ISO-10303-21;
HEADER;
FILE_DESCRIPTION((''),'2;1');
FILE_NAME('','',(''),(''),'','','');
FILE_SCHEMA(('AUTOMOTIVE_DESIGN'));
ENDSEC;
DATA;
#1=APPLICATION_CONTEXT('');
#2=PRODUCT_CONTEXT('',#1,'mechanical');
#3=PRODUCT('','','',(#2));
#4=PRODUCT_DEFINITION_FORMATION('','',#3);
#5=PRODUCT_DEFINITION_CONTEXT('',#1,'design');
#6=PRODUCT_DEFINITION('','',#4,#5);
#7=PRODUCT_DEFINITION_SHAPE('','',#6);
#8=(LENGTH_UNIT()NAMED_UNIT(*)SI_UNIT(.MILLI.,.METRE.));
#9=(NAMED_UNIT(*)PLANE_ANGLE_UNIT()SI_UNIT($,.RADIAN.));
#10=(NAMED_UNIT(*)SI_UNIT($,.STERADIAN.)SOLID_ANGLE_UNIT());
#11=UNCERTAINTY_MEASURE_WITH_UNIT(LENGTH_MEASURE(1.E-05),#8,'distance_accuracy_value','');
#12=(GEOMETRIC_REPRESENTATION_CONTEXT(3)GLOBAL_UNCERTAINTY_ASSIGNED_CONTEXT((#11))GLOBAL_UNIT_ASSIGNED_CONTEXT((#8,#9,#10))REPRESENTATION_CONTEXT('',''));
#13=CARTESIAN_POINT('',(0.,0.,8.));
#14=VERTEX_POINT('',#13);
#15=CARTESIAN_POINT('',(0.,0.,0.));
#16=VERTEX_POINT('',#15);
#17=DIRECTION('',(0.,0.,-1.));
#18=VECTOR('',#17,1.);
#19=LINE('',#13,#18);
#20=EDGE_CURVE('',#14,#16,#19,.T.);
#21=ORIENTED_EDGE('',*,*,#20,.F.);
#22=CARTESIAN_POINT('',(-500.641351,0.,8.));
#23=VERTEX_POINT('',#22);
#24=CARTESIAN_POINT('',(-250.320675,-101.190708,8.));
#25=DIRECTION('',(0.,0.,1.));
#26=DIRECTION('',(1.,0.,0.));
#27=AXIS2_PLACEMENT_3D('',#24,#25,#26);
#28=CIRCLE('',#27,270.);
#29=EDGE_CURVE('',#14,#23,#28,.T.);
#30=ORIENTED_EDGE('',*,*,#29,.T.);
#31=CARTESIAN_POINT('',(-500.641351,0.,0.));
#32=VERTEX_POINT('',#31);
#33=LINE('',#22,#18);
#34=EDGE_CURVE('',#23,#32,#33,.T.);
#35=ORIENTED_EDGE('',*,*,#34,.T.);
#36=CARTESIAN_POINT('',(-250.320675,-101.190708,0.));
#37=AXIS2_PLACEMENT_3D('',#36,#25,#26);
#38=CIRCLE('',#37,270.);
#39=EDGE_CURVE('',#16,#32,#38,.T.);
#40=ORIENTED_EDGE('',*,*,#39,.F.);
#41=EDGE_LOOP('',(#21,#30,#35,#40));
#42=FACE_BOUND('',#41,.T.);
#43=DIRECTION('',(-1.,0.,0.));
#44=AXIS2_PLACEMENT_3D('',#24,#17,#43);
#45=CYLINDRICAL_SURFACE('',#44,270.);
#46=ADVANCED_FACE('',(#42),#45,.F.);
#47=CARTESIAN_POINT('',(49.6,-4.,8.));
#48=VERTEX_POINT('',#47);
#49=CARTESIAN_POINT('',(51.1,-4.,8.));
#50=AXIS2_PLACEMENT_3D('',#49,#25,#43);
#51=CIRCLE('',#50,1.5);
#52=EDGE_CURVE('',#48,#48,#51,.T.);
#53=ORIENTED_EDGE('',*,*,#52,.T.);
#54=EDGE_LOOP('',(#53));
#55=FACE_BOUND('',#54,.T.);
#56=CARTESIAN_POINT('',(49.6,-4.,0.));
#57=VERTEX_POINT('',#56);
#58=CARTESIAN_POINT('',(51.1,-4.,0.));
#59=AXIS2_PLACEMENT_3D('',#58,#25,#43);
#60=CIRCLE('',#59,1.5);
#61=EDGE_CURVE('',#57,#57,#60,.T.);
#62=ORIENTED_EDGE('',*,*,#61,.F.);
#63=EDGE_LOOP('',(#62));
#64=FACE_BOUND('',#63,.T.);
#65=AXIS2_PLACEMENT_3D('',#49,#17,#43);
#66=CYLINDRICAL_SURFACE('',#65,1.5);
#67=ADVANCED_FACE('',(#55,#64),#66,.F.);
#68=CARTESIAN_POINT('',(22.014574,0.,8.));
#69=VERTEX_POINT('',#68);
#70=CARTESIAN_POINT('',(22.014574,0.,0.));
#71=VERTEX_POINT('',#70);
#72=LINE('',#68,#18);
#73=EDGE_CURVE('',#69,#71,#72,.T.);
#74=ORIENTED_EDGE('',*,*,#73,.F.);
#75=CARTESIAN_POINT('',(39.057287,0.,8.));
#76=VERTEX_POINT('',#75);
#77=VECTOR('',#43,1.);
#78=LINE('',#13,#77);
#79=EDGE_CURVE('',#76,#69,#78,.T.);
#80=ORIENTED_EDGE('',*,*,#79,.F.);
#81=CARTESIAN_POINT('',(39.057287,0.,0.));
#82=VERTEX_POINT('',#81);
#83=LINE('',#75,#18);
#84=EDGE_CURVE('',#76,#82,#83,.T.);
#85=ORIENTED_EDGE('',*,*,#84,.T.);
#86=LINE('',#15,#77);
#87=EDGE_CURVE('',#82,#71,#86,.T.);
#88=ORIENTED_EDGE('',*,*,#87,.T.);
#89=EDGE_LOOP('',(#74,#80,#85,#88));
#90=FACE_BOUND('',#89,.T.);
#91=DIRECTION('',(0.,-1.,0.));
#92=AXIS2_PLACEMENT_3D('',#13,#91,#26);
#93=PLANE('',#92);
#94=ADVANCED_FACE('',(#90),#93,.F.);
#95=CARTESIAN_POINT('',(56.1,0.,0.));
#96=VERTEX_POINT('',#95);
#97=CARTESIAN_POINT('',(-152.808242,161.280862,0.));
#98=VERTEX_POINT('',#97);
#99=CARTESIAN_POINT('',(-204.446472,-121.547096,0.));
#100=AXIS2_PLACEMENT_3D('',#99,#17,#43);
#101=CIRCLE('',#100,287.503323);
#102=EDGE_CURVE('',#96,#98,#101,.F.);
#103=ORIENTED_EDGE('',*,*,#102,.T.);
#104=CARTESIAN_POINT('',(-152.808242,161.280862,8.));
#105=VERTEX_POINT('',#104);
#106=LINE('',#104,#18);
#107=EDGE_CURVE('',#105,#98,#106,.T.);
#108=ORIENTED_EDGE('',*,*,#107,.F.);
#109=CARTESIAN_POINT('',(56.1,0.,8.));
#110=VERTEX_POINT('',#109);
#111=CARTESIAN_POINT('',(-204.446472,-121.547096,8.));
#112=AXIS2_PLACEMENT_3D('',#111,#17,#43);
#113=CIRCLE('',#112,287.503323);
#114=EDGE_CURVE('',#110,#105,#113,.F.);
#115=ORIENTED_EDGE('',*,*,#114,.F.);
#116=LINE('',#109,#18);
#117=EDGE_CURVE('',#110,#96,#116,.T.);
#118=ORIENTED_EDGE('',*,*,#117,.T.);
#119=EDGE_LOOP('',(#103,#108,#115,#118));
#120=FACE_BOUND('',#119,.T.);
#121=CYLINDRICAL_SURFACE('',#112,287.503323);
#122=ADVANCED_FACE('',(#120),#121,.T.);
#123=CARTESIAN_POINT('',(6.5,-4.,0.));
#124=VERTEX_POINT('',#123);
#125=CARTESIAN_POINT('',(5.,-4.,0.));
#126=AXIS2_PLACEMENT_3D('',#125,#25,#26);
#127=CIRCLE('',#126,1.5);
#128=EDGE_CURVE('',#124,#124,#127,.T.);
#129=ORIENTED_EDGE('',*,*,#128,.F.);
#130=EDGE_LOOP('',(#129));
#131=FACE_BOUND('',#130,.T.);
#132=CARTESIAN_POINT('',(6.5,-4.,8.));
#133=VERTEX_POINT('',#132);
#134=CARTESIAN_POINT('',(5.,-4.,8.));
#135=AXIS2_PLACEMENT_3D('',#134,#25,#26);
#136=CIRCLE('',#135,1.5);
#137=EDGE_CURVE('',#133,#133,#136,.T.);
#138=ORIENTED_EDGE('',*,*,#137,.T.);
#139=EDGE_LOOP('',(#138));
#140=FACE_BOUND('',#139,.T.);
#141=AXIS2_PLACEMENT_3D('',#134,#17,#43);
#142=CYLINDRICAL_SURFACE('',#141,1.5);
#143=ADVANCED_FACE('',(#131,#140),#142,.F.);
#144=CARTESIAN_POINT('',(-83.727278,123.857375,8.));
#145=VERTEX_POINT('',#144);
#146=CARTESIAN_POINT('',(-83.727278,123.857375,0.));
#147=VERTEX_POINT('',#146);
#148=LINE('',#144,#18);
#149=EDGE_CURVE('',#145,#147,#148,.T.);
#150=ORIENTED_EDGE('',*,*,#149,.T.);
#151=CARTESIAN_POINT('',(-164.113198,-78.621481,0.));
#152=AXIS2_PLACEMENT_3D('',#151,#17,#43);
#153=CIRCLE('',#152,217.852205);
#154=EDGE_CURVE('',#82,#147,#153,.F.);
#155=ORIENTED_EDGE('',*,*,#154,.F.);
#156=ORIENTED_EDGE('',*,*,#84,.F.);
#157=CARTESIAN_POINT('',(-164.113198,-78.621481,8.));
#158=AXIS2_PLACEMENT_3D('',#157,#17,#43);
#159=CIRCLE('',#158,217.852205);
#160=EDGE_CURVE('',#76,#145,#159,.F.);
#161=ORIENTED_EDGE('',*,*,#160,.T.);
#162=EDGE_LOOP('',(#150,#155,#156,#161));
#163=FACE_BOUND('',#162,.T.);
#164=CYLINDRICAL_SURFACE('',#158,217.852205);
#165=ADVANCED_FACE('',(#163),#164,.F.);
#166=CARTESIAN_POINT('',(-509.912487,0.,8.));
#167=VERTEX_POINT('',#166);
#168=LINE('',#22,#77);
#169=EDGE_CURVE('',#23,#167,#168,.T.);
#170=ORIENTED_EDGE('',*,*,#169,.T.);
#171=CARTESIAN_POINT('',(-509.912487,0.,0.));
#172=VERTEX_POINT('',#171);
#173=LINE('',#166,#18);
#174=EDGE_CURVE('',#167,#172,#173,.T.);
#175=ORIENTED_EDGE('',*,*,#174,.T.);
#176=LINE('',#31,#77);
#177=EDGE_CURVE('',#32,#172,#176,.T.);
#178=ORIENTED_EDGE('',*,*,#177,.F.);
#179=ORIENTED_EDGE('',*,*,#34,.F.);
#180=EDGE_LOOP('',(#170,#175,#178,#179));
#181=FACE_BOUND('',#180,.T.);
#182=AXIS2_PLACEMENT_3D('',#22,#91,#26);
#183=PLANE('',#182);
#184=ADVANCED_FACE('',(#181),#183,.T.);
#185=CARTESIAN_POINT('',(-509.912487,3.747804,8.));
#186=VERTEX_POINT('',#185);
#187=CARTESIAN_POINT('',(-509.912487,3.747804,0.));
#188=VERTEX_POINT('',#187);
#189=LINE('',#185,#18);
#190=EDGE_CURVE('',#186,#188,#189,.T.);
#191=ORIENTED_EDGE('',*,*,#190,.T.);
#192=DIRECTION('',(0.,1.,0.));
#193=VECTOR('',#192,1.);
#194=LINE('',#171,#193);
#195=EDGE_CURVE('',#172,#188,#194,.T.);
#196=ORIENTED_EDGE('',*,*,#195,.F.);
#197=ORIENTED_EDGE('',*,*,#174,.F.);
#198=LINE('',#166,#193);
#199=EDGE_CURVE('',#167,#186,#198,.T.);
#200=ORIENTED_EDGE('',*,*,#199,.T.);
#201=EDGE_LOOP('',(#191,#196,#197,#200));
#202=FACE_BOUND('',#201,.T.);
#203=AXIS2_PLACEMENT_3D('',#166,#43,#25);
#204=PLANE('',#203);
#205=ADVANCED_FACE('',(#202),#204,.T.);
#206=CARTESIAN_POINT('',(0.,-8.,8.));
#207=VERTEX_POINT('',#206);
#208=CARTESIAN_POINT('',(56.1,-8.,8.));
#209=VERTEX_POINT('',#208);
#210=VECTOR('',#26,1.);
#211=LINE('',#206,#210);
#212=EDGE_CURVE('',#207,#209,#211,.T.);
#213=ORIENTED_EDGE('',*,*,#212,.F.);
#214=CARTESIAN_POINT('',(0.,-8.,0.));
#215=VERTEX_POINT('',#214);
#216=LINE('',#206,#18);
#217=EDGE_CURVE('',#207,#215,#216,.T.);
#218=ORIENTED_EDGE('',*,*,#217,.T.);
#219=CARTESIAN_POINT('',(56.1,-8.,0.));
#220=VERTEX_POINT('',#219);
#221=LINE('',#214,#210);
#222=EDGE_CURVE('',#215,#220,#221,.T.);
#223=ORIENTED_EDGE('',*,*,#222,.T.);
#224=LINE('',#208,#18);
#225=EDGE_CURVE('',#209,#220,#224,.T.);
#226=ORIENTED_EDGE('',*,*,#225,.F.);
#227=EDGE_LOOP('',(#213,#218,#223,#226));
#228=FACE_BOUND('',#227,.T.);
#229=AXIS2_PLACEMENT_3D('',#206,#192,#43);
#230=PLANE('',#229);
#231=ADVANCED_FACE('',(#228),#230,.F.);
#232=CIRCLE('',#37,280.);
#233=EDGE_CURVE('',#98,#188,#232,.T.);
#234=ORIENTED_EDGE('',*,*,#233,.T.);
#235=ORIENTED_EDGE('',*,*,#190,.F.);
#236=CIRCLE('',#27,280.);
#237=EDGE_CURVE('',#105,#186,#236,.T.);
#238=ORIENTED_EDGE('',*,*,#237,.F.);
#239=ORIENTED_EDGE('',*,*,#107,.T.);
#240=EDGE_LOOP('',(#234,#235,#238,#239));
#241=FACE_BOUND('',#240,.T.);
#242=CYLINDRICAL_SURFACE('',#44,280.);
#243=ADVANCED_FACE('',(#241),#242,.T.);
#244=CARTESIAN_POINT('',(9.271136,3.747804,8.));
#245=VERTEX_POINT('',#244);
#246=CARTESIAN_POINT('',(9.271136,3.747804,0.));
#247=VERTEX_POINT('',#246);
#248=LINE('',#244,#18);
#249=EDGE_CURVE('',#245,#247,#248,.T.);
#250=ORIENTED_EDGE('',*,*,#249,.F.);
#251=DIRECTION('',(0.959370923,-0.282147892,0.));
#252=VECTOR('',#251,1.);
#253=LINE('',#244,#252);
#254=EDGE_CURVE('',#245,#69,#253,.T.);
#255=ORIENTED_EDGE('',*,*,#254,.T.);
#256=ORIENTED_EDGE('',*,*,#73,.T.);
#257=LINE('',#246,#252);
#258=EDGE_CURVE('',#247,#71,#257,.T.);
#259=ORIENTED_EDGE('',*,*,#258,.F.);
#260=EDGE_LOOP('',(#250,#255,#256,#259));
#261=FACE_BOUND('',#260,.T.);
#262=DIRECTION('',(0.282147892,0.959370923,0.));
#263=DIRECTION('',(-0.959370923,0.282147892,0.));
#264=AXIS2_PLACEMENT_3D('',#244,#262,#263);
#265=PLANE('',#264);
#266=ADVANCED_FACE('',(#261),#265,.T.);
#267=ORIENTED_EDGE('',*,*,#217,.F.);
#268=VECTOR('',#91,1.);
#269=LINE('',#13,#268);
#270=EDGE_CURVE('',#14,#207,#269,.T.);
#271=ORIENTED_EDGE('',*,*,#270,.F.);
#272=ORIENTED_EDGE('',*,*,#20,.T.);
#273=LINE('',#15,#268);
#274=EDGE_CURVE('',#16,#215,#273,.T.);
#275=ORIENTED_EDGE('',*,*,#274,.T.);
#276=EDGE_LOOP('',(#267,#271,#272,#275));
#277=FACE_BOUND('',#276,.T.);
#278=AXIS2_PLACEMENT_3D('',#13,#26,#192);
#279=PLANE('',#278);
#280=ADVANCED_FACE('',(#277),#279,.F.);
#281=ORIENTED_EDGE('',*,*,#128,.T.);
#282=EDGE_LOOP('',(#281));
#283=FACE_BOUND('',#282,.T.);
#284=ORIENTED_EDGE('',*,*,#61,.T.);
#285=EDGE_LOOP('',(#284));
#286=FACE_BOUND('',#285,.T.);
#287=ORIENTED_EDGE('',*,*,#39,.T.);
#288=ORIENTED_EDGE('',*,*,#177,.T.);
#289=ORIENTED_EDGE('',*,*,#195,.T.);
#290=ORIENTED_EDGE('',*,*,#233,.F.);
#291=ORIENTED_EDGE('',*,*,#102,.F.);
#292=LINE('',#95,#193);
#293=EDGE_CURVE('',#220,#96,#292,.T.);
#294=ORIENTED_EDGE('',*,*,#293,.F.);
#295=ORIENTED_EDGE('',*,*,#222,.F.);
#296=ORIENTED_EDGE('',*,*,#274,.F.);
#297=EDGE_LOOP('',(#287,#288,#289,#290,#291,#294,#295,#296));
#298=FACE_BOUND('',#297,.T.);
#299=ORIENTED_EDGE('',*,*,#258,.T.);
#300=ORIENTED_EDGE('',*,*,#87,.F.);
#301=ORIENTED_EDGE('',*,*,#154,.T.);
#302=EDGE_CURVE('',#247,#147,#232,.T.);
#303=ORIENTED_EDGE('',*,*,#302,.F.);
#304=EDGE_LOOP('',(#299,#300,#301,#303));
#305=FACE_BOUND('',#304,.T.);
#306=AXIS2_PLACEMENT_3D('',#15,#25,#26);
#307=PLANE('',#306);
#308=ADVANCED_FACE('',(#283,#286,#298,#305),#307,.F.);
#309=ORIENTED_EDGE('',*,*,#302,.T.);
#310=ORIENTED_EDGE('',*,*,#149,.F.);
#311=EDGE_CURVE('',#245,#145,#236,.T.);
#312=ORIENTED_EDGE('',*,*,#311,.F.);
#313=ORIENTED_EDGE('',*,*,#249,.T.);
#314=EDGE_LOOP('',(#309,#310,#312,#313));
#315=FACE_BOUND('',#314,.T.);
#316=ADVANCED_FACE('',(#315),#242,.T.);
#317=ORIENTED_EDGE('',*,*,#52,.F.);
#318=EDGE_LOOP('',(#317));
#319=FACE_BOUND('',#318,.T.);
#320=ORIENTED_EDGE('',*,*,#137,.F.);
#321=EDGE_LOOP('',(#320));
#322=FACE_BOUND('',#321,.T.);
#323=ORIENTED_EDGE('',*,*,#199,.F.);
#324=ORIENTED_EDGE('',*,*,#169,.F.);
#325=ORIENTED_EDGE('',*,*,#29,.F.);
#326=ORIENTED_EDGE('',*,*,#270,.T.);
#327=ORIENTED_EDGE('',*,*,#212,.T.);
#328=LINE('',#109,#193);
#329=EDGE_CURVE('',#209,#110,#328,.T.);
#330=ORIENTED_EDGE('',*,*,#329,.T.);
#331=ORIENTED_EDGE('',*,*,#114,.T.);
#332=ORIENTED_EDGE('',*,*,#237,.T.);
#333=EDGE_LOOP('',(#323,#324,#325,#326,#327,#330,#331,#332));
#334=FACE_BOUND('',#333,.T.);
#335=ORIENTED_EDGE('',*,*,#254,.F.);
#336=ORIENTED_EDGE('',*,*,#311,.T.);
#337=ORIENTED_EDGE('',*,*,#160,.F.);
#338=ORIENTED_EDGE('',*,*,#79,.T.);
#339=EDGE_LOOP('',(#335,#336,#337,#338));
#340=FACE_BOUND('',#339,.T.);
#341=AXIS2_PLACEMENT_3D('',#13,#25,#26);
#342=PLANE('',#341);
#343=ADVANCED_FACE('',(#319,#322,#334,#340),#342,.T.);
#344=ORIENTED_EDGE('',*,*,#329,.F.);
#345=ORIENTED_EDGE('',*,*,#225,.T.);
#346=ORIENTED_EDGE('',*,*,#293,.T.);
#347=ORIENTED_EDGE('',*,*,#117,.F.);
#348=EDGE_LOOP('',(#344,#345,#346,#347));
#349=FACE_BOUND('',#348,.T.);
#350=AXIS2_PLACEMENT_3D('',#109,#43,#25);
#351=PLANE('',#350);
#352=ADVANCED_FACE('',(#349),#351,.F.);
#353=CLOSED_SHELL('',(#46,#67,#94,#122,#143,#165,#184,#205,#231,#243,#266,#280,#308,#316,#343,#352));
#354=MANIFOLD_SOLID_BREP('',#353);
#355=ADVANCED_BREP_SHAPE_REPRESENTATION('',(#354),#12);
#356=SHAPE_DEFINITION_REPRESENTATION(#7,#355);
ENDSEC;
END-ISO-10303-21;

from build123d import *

# Parameters (mm, degrees)
SKETCH_1_W      = 56.1
SKETCH_1_H      = 8
SKETCH_1_R      = 1.5
EXTRUDE_1_DEPTH = 8
EXTRUDE_5_DEPTH = 8
EXTRUDE_6_DEPTH = 8


with BuildPart() as part:
    # 草图1 → 凸台-拉伸1 (new body)
    with BuildSketch(Plane.XY):
        with Locations((28.05, -4)):
            Rectangle(SKETCH_1_W, SKETCH_1_H)
        with Locations((5, -4)):
            Circle(SKETCH_1_R, mode=Mode.SUBTRACT)
        with Locations(Location((51.1, -4, 0), (0, 0, 180))):
            Circle(SKETCH_1_R, mode=Mode.SUBTRACT)
    extrude(amount=EXTRUDE_1_DEPTH)

    # 草图3 → 凸台-拉伸5 (add)
    with BuildSketch(Plane(origin=(0, 0, 0), x_dir=(-1, 0, 0), z_dir=(0, 0, -1))):
        with BuildLine():
            Line((-9.271136129, 3.747804008), (-22.014574203, 0))
            Line((-22.014574203, 0), (0, 0))
            ThreePointArc((0, 0), (250.320675472, 168.809291774), (500.641350944, 0))
            Line((500.641350944, 0), (509.912487072, 0))
            Line((509.912487072, 0), (509.912487072, 3.747804008))
            ThreePointArc((509.912487072, 3.747804008), (250.320675472, 178.809291774), (-9.271136129, 3.747804008))
        make_face()
    extrude(amount=-EXTRUDE_5_DEPTH)

    # 草图4 → 凸台-拉伸6 (add)
    with BuildSketch(Plane(origin=(0, 0, 0), x_dir=(-1, 0, 0), z_dir=(0, 0, -1))):
        with BuildLine():
            ThreePointArc((152.808242493, 161.280862452), (28.754408722, 106.028077563), (-56.1, 0))
            Line((-56.1, 0), (-39.057287102, 0))
            ThreePointArc((-39.057287102, 0), (9.399846723, 74.751796663), (83.727278113, 123.857375428))
            ThreePointArc((83.727278113, 123.857375428), (116.948632862, 145.004129758), (152.808242493, 161.280862452))
        make_face()
    extrude(amount=-EXTRUDE_6_DEPTH)


solid = part.part
